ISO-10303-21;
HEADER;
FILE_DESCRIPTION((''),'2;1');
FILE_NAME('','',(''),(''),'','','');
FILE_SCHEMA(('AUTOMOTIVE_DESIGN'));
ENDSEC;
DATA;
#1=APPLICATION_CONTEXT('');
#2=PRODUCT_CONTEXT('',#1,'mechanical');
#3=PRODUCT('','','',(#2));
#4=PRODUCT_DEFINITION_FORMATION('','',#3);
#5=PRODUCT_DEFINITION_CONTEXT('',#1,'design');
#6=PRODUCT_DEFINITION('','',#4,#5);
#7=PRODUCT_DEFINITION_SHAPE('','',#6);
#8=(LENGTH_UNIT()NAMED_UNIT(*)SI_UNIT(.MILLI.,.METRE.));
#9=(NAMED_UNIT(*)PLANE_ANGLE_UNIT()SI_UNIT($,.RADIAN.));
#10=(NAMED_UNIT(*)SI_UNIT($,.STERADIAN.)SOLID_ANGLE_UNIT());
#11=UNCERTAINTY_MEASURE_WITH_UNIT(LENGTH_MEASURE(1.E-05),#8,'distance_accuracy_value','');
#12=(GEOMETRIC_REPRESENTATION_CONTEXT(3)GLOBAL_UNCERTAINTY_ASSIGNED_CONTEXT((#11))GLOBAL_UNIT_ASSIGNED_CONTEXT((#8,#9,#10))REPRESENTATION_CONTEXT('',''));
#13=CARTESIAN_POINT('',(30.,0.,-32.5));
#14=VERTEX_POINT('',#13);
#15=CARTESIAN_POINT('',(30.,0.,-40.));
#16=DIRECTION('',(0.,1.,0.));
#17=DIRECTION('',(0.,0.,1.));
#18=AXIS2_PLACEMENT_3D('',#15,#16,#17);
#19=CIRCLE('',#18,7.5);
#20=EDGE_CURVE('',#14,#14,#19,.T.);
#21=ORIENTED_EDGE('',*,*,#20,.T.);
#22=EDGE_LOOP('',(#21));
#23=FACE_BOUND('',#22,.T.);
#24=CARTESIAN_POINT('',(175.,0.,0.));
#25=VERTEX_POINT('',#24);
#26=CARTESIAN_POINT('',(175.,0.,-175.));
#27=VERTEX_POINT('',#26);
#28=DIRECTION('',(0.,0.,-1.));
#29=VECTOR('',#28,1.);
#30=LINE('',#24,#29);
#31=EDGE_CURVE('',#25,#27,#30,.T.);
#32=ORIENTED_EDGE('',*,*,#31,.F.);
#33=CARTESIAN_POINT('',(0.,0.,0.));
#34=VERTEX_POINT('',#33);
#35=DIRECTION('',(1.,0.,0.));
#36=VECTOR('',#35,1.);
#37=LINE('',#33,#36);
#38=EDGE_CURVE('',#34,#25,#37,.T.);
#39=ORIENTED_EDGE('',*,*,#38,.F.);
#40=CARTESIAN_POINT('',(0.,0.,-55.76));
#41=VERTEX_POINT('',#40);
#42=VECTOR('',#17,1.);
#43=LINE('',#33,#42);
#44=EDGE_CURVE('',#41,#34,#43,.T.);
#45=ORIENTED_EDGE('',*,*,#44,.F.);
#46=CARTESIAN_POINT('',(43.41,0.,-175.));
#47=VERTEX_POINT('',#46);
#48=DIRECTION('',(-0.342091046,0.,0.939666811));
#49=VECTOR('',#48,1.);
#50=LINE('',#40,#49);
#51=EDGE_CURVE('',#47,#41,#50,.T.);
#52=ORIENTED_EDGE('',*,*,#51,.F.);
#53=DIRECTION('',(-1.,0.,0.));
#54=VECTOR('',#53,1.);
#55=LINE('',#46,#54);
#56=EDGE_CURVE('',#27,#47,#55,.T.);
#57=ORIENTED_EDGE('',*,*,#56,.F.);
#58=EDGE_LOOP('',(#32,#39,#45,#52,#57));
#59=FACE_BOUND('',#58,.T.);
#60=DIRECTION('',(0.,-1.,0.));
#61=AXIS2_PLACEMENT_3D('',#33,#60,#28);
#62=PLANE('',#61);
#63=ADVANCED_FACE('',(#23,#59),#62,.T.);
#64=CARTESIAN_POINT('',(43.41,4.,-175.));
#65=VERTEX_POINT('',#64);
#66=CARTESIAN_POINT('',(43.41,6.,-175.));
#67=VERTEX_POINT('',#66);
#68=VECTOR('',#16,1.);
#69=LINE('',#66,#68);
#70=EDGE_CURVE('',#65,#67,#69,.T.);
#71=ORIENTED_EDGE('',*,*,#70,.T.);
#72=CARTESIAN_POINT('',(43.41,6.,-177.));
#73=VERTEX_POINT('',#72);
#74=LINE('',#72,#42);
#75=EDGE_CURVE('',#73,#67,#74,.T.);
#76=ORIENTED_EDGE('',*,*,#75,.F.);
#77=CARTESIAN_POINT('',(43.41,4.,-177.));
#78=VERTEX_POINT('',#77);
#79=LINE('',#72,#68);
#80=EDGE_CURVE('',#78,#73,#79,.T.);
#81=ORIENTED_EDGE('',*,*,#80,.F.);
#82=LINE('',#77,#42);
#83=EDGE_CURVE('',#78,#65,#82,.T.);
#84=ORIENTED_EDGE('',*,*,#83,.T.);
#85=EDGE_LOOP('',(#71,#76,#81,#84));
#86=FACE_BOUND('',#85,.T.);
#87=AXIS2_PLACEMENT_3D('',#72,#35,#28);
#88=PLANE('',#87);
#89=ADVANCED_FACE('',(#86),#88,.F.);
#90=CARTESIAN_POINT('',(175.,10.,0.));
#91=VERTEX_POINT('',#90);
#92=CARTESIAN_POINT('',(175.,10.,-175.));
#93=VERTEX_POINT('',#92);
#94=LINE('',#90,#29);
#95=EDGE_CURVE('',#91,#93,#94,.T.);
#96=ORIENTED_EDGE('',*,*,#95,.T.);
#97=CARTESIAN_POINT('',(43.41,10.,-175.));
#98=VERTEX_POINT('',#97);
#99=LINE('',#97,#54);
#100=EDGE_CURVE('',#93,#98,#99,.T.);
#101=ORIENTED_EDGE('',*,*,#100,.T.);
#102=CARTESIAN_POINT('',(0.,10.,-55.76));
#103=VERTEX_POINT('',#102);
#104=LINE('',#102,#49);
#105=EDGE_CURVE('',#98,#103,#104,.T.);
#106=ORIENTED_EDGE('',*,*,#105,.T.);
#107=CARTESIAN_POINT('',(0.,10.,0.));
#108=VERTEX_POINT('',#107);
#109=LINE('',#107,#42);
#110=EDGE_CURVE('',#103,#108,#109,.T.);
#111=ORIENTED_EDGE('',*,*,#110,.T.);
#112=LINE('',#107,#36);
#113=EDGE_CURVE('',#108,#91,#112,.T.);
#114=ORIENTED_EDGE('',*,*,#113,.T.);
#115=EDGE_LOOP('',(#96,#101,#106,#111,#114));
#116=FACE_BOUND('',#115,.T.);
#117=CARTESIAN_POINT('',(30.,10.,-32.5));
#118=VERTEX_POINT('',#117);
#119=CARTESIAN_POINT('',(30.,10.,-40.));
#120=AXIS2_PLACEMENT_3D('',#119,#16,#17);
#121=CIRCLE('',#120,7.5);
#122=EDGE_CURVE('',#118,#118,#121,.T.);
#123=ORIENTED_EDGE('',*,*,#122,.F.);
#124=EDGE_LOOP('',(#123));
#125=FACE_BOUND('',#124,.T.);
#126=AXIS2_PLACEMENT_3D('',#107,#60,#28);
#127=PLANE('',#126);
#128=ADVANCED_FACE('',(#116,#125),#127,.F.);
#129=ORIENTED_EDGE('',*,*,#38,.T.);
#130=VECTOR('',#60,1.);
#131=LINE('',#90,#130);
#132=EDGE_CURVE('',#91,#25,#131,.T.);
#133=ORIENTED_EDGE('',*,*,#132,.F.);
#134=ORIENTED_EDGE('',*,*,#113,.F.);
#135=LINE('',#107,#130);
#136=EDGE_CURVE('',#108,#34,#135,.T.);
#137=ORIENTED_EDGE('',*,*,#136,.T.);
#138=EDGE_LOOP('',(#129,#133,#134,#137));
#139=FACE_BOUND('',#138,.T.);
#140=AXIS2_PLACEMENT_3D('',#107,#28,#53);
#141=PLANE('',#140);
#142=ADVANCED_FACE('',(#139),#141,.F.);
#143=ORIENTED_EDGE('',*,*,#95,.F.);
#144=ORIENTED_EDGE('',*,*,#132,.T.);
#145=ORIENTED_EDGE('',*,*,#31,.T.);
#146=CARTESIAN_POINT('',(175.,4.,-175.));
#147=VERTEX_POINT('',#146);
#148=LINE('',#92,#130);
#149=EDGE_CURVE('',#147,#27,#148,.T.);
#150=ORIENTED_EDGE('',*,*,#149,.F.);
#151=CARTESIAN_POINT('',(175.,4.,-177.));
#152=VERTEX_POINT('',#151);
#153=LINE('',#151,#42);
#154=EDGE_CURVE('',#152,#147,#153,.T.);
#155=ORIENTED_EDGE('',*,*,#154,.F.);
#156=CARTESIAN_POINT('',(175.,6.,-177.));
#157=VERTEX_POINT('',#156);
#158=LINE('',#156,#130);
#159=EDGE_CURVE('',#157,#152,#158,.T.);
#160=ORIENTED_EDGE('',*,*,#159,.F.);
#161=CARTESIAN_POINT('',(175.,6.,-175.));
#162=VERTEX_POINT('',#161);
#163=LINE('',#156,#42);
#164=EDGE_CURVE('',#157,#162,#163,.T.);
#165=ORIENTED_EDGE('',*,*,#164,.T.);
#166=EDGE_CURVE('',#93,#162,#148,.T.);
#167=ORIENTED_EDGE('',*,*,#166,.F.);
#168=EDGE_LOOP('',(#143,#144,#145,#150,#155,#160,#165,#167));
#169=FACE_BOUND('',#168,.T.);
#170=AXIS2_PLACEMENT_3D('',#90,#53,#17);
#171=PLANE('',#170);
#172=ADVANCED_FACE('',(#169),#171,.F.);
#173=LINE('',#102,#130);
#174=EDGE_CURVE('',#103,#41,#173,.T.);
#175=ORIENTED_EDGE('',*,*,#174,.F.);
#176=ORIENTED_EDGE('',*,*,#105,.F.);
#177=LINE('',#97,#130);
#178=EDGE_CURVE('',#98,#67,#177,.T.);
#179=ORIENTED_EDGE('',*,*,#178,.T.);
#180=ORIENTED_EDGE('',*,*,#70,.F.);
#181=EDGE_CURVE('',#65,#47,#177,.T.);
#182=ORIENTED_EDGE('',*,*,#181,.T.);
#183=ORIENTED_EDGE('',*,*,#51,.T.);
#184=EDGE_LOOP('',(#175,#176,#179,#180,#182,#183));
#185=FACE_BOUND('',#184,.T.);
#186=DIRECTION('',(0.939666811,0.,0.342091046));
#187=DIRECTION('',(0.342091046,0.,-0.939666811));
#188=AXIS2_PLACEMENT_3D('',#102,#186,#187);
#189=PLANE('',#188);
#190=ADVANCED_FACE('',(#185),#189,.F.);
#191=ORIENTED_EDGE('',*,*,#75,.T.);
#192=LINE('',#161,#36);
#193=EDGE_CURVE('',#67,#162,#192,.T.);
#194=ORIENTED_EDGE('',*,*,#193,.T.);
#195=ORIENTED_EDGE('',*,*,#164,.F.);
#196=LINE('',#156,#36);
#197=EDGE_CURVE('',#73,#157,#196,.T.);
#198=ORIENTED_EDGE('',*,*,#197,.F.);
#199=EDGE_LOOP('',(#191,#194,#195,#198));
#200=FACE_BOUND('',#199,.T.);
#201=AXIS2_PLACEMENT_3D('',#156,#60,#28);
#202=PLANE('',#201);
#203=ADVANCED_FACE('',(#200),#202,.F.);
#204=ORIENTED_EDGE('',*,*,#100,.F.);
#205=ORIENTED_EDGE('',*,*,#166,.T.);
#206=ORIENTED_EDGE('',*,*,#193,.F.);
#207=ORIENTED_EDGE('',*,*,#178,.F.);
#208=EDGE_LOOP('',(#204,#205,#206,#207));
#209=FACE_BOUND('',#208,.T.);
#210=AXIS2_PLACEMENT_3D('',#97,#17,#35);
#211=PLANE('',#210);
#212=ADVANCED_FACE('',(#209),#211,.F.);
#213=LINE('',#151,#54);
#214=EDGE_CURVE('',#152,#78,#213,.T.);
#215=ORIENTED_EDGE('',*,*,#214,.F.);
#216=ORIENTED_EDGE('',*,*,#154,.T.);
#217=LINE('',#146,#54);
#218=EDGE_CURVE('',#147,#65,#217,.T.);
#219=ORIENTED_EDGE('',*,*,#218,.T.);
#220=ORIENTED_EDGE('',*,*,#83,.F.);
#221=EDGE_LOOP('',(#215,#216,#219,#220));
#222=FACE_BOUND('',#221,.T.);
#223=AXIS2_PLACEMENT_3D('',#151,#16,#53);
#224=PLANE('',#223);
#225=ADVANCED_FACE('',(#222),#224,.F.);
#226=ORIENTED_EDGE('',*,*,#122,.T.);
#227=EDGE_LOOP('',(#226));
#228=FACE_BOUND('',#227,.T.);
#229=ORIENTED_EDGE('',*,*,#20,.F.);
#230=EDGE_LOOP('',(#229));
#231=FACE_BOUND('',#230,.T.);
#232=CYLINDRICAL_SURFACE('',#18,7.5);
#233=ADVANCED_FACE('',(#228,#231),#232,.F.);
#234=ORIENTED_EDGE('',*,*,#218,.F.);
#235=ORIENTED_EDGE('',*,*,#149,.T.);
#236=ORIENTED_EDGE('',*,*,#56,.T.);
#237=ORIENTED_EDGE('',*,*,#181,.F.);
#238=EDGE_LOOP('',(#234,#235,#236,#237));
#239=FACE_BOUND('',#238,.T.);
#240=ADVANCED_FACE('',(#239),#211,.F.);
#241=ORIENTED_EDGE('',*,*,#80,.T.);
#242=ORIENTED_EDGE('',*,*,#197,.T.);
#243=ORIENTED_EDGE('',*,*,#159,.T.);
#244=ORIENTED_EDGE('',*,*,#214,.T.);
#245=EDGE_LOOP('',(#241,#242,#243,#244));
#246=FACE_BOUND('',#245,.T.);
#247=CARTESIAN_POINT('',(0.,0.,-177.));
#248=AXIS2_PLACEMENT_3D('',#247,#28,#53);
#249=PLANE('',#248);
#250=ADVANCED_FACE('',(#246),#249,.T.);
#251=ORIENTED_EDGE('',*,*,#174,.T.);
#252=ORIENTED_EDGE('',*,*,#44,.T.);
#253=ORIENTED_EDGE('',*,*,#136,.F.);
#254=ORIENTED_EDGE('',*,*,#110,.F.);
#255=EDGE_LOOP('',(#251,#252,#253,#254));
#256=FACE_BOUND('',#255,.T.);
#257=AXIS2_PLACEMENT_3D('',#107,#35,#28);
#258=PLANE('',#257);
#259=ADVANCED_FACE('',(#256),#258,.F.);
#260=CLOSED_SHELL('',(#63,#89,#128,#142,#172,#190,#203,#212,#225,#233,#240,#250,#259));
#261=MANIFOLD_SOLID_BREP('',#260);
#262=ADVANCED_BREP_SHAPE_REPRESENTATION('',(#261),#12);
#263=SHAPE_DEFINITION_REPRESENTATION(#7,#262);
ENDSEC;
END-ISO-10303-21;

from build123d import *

# Parameters (mm, degrees)
BOSS_EXTRUDE1_DEPTH = 10
SKETCH2_W           = 131.59
SKETCH2_H           = 2
BOSS_EXTRUDE2_DEPTH = 2
SKETCH3_R           = 7.5
CUT_EXTRUDE1_DEPTH  = 250.106402969


with BuildPart() as part:
    # Sketch1 → Boss-Extrude1 (new body)
    with BuildSketch(Plane(origin=(0, 0, 0), x_dir=(1, 0, 0), z_dir=(0, 1, 0))):
        Polygon((0, 55.76), (43.41, 175), (175, 175), (175, 0), (0, 0), align=None)
    extrude(amount=BOSS_EXTRUDE1_DEPTH)

    # Sketch2 → Boss-Extrude2 (add)
    with BuildSketch(Plane(origin=(0, 0, -175), x_dir=(-1, 0, 0), z_dir=(0, 0, -1))):
        with Locations((-109.205, 5)):
            Rectangle(SKETCH2_W, SKETCH2_H)
    extrude(amount=BOSS_EXTRUDE2_DEPTH)

    # Sketch3 → Cut-Extrude1 (cut, through all)
    with BuildSketch(Plane(origin=(0, 10, 0), x_dir=(1, 0, 0), z_dir=(0, 1, 0))):
        with Locations(Location((30, 40, 0), (0, 0, 270))):
            Circle(SKETCH3_R)
    extrude(amount=-CUT_EXTRUDE1_DEPTH, mode=Mode.SUBTRACT)


solid = part.part
